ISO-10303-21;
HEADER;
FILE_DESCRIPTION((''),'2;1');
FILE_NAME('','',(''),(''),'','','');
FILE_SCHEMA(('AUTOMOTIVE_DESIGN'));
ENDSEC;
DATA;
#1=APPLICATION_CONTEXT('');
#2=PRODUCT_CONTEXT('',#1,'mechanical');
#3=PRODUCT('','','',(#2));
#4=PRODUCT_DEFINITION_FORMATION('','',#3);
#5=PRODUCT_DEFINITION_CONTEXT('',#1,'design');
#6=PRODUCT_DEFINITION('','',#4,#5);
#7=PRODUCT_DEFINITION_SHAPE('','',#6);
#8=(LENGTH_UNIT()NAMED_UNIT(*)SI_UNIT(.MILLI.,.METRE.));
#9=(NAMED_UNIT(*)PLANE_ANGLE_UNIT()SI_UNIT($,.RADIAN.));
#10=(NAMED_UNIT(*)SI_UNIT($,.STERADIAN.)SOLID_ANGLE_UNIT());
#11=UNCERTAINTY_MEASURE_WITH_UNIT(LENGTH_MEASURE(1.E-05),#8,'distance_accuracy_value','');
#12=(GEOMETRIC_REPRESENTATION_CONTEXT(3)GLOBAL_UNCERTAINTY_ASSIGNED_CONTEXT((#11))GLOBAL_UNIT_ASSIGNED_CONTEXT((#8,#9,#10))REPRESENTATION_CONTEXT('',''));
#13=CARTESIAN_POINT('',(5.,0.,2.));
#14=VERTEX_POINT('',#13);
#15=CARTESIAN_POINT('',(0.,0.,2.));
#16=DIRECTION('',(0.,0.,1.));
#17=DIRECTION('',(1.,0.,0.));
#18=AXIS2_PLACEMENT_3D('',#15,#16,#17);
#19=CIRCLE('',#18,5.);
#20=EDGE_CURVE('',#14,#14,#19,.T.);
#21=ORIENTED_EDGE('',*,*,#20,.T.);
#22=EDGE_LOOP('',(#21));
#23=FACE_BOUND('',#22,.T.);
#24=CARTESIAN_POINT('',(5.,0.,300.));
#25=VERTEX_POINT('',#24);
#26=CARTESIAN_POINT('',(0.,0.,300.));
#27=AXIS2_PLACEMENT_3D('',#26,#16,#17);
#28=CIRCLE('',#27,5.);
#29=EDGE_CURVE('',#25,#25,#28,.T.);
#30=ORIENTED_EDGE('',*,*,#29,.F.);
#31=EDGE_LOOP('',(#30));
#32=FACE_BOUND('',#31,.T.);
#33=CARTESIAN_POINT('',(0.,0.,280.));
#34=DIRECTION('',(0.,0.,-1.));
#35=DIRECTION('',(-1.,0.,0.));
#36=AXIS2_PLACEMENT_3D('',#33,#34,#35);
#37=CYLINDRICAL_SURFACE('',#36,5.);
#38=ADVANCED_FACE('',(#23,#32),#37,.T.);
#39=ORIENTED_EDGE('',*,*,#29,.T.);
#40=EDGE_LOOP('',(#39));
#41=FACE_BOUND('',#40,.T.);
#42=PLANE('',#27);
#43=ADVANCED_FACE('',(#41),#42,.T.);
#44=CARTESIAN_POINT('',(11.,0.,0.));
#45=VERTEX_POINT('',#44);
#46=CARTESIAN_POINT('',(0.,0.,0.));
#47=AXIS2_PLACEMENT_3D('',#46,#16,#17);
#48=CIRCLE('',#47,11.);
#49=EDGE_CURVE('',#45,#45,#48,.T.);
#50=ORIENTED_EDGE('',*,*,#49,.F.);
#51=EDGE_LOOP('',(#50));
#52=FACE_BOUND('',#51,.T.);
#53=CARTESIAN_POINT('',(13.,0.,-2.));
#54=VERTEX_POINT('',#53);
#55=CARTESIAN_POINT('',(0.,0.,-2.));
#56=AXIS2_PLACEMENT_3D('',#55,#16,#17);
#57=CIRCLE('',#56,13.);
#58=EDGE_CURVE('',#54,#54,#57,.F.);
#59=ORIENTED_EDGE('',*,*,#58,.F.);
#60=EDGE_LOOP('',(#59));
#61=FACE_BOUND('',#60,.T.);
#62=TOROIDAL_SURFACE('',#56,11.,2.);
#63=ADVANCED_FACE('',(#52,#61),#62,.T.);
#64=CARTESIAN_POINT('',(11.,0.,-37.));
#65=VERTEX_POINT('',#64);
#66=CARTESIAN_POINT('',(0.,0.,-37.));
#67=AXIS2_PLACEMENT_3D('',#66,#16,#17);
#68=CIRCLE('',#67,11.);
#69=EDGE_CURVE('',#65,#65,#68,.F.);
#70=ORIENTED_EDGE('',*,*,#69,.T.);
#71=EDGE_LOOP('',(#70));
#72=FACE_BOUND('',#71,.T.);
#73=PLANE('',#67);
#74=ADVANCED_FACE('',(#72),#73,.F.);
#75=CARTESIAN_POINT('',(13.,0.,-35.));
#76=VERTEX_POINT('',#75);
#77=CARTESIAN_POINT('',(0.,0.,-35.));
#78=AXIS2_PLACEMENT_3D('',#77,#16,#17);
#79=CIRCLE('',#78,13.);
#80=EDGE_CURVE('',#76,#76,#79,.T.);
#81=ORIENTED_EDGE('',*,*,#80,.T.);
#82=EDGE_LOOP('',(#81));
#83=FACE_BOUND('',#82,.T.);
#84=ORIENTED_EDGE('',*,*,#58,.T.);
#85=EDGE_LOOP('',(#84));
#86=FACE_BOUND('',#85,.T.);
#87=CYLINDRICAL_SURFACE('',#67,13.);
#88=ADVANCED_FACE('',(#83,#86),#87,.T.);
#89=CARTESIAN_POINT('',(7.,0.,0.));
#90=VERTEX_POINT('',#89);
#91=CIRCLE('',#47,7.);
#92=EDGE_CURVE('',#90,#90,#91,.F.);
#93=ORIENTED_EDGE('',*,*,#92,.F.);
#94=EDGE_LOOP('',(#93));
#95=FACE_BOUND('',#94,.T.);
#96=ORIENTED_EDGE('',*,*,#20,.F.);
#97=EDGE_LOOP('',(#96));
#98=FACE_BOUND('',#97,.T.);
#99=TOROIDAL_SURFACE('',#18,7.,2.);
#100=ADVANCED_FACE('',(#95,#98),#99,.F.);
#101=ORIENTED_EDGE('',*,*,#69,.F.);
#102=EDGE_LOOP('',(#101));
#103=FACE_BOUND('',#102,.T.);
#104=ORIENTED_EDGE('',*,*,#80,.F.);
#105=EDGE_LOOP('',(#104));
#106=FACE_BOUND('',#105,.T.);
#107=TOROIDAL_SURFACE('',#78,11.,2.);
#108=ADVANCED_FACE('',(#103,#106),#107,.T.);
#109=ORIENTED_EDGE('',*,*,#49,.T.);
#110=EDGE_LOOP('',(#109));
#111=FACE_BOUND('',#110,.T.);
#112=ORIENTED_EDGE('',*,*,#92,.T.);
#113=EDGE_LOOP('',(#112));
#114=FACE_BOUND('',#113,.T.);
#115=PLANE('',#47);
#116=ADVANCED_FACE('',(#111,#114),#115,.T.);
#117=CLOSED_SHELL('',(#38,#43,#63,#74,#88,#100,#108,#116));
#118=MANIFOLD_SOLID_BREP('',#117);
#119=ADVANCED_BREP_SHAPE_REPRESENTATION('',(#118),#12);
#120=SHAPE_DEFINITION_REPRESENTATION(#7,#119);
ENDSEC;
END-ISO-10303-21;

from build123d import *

# Parameters (mm, degrees)
SKETCH1_R           = 13
BOSS_EXTRUDE1_DEPTH = 37
SKETCH2_R           = 5
BOSS_EXTRUDE2_DEPTH = 280
SKETCH3_R           = 5
BOSS_EXTRUDE3_DEPTH = 20
FILLET1_R           = 2


with BuildPart() as part:
    # Sketch1 → Boss-Extrude1 (new body)
    with BuildSketch(Plane.XY):
        Circle(SKETCH1_R)
    extrude(amount=-BOSS_EXTRUDE1_DEPTH)

    # Sketch2 → Boss-Extrude2 (add)
    with BuildSketch(Plane.XY):
        Circle(SKETCH2_R)
    extrude(amount=BOSS_EXTRUDE2_DEPTH)

    # Sketch3 → Boss-Extrude3 (add)
    with BuildSketch(Plane.XY.offset(280)):
        Circle(SKETCH3_R)
    extrude(amount=BOSS_EXTRUDE3_DEPTH)

    # Fillet1
    fillet1_edges = [part.edges().sort_by_distance(p)[0] for p in [
        (-13, 0, 0),
        (-13, 0, -37),
        (-5, 0, 0),
    ]]
    fillet(fillet1_edges, radius=FILLET1_R)


solid = part.part
